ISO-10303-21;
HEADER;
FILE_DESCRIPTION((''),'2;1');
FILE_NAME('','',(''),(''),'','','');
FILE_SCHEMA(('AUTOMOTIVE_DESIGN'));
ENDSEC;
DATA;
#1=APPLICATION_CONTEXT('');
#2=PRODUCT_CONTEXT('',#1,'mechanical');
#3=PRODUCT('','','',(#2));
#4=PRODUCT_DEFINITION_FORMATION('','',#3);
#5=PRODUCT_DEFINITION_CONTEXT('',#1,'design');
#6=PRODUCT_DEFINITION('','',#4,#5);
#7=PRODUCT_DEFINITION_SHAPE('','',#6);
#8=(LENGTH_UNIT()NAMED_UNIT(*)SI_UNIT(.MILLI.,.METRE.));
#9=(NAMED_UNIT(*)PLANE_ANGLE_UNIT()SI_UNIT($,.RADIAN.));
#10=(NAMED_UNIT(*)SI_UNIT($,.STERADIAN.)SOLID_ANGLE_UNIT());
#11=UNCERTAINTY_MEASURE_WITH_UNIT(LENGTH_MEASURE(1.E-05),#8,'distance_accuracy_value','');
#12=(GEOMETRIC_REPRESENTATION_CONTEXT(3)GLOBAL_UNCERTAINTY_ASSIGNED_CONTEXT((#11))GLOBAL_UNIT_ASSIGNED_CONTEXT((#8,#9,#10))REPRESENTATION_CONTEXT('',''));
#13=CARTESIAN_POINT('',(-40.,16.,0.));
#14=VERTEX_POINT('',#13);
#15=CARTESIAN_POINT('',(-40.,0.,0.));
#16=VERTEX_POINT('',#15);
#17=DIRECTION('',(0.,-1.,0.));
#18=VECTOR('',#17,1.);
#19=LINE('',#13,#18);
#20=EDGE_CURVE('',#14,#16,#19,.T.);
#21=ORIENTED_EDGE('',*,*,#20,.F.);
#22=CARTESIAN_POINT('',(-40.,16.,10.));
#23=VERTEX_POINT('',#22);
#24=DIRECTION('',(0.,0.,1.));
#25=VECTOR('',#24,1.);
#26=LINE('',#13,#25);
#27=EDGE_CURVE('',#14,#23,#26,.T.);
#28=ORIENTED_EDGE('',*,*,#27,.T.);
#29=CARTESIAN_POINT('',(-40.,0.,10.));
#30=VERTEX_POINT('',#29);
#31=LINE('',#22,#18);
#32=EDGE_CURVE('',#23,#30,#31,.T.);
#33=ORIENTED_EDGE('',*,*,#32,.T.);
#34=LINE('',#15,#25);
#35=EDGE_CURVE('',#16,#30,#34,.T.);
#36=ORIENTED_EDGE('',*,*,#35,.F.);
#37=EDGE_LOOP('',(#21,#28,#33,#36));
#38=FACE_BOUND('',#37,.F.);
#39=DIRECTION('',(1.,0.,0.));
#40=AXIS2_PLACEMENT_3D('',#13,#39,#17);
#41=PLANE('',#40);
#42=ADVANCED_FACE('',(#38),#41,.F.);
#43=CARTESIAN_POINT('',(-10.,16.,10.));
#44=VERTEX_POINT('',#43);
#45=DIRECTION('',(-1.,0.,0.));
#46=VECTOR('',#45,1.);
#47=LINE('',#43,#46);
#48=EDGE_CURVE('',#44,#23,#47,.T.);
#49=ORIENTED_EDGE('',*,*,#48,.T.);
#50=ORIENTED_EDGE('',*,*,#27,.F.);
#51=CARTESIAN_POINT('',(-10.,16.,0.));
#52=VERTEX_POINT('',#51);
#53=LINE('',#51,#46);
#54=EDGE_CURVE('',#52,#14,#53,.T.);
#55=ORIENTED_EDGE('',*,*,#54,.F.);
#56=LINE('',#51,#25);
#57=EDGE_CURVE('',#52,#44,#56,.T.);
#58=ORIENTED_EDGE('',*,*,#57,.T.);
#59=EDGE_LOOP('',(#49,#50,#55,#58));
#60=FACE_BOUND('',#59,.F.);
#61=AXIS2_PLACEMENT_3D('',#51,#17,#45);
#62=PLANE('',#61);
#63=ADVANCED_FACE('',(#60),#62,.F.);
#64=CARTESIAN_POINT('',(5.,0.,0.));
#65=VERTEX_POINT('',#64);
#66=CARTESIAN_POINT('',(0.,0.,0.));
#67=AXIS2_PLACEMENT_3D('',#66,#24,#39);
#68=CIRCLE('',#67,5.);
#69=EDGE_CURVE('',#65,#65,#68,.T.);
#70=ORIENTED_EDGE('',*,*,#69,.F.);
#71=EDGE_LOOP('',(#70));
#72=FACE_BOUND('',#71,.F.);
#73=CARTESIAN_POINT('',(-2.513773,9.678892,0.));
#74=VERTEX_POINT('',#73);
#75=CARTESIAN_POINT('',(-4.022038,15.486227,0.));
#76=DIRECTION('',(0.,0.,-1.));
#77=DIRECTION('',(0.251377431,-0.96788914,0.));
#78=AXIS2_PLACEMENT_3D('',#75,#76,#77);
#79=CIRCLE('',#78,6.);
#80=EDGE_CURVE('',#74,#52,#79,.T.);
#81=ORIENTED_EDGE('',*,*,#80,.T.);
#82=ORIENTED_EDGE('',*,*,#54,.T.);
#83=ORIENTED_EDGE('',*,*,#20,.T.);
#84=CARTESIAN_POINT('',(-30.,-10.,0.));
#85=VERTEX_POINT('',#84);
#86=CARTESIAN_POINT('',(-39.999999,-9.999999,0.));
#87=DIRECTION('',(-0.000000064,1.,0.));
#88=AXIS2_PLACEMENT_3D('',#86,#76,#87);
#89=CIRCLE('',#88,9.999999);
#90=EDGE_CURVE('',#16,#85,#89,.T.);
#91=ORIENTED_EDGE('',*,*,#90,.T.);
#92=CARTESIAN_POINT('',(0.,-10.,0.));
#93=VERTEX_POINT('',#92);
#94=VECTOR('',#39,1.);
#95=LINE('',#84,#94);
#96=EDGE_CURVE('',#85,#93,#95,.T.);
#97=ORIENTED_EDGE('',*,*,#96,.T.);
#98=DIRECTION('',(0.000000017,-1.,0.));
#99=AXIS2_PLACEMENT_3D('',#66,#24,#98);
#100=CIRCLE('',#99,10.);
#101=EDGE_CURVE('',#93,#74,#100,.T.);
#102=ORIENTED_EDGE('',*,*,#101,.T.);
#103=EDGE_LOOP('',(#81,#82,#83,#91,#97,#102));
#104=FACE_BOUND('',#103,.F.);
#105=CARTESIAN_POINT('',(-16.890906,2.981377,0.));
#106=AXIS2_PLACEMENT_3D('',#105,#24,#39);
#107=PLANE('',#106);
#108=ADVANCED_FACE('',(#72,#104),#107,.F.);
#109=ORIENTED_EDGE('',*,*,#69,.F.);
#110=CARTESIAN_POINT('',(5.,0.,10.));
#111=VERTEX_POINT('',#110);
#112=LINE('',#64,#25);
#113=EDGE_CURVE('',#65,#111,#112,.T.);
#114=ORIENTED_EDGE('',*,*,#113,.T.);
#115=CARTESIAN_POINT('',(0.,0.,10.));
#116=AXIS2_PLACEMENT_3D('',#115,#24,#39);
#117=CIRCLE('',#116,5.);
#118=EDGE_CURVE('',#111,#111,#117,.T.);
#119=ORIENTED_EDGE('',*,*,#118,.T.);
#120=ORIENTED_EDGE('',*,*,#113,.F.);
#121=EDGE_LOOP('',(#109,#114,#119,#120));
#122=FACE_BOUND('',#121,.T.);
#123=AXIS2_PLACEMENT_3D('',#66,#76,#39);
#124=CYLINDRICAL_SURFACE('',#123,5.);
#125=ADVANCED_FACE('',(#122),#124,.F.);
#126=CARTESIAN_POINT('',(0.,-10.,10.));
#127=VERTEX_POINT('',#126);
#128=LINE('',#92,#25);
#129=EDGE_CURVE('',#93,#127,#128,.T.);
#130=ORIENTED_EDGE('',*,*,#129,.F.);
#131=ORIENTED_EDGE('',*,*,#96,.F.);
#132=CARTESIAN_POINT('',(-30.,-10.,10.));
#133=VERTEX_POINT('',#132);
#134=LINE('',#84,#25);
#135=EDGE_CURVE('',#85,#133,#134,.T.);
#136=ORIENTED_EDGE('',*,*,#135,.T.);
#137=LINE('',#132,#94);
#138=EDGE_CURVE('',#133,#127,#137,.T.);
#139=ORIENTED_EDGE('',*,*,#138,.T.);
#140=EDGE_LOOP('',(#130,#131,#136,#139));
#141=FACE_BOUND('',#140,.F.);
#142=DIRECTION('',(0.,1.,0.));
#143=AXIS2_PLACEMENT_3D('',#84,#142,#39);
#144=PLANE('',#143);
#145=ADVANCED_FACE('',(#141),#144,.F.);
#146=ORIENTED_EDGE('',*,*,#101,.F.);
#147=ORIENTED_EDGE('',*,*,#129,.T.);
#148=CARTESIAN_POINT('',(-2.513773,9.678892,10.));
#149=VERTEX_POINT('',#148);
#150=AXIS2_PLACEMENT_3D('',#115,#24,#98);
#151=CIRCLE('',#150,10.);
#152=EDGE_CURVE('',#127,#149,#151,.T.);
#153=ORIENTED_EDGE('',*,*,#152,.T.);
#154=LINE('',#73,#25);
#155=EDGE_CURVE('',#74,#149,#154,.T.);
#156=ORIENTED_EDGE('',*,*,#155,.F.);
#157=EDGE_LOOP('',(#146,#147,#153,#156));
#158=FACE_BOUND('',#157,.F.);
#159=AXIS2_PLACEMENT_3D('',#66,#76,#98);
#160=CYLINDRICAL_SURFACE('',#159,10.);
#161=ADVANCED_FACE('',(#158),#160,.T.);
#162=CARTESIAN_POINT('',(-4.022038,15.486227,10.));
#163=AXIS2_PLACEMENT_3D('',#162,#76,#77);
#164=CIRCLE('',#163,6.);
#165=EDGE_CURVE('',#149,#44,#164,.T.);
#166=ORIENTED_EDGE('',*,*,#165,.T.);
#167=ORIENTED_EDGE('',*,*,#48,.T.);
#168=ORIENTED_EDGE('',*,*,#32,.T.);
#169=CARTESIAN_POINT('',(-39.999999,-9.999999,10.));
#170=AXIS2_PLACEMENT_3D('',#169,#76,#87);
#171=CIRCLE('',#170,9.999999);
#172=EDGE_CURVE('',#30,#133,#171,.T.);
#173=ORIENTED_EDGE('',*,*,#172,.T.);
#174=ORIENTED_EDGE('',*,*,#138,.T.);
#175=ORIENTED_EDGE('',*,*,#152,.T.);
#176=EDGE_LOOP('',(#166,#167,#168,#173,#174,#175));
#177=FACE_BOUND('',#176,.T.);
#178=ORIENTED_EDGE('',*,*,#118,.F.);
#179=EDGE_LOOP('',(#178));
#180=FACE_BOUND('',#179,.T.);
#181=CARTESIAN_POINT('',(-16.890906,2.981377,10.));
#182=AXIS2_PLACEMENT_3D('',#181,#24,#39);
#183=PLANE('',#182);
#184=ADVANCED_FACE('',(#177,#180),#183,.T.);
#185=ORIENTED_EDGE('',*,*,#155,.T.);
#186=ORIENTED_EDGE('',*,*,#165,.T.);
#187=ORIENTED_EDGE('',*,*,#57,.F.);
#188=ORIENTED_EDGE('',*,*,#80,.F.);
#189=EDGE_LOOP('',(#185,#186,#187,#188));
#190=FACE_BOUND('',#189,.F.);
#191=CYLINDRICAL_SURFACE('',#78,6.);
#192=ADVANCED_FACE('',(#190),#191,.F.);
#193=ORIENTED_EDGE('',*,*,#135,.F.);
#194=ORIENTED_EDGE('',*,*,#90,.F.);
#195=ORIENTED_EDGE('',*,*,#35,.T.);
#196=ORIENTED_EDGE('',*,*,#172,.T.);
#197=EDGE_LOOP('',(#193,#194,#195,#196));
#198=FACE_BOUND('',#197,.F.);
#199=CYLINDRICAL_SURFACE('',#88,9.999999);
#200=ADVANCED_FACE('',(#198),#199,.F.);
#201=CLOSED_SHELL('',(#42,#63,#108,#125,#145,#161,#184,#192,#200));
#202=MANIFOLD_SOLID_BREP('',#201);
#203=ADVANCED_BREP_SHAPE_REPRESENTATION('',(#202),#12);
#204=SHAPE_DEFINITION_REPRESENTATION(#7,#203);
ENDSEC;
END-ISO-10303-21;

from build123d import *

# Parameters (mm, degrees)
F0_R     = 5
F1_DEPTH = 10


with BuildPart() as f1:
    # F0 (on Top) → F1 (new body)
    with BuildSketch(Plane.XY):
        with BuildLine():
            Line((-30, -10), (-10, -10))
            Line((-10, -10), (0, -10))
            ThreePointArc((0, -10), (9.919398, 1.2671), (-2.513773, 9.678892))
            ThreePointArc((-2.513773, 9.678892), (-7.89291, 10.901868), (-10, 16))
            Line((-10, 16), (-40, 16))
            Line((-40, 16), (-40, 0))
            ThreePointArc((-40, 0), (-32.928932, -2.928932), (-30, -10))
        make_face()
        Circle(F0_R, mode=Mode.SUBTRACT)
    extrude(amount=F1_DEPTH)


solid = f1.part
